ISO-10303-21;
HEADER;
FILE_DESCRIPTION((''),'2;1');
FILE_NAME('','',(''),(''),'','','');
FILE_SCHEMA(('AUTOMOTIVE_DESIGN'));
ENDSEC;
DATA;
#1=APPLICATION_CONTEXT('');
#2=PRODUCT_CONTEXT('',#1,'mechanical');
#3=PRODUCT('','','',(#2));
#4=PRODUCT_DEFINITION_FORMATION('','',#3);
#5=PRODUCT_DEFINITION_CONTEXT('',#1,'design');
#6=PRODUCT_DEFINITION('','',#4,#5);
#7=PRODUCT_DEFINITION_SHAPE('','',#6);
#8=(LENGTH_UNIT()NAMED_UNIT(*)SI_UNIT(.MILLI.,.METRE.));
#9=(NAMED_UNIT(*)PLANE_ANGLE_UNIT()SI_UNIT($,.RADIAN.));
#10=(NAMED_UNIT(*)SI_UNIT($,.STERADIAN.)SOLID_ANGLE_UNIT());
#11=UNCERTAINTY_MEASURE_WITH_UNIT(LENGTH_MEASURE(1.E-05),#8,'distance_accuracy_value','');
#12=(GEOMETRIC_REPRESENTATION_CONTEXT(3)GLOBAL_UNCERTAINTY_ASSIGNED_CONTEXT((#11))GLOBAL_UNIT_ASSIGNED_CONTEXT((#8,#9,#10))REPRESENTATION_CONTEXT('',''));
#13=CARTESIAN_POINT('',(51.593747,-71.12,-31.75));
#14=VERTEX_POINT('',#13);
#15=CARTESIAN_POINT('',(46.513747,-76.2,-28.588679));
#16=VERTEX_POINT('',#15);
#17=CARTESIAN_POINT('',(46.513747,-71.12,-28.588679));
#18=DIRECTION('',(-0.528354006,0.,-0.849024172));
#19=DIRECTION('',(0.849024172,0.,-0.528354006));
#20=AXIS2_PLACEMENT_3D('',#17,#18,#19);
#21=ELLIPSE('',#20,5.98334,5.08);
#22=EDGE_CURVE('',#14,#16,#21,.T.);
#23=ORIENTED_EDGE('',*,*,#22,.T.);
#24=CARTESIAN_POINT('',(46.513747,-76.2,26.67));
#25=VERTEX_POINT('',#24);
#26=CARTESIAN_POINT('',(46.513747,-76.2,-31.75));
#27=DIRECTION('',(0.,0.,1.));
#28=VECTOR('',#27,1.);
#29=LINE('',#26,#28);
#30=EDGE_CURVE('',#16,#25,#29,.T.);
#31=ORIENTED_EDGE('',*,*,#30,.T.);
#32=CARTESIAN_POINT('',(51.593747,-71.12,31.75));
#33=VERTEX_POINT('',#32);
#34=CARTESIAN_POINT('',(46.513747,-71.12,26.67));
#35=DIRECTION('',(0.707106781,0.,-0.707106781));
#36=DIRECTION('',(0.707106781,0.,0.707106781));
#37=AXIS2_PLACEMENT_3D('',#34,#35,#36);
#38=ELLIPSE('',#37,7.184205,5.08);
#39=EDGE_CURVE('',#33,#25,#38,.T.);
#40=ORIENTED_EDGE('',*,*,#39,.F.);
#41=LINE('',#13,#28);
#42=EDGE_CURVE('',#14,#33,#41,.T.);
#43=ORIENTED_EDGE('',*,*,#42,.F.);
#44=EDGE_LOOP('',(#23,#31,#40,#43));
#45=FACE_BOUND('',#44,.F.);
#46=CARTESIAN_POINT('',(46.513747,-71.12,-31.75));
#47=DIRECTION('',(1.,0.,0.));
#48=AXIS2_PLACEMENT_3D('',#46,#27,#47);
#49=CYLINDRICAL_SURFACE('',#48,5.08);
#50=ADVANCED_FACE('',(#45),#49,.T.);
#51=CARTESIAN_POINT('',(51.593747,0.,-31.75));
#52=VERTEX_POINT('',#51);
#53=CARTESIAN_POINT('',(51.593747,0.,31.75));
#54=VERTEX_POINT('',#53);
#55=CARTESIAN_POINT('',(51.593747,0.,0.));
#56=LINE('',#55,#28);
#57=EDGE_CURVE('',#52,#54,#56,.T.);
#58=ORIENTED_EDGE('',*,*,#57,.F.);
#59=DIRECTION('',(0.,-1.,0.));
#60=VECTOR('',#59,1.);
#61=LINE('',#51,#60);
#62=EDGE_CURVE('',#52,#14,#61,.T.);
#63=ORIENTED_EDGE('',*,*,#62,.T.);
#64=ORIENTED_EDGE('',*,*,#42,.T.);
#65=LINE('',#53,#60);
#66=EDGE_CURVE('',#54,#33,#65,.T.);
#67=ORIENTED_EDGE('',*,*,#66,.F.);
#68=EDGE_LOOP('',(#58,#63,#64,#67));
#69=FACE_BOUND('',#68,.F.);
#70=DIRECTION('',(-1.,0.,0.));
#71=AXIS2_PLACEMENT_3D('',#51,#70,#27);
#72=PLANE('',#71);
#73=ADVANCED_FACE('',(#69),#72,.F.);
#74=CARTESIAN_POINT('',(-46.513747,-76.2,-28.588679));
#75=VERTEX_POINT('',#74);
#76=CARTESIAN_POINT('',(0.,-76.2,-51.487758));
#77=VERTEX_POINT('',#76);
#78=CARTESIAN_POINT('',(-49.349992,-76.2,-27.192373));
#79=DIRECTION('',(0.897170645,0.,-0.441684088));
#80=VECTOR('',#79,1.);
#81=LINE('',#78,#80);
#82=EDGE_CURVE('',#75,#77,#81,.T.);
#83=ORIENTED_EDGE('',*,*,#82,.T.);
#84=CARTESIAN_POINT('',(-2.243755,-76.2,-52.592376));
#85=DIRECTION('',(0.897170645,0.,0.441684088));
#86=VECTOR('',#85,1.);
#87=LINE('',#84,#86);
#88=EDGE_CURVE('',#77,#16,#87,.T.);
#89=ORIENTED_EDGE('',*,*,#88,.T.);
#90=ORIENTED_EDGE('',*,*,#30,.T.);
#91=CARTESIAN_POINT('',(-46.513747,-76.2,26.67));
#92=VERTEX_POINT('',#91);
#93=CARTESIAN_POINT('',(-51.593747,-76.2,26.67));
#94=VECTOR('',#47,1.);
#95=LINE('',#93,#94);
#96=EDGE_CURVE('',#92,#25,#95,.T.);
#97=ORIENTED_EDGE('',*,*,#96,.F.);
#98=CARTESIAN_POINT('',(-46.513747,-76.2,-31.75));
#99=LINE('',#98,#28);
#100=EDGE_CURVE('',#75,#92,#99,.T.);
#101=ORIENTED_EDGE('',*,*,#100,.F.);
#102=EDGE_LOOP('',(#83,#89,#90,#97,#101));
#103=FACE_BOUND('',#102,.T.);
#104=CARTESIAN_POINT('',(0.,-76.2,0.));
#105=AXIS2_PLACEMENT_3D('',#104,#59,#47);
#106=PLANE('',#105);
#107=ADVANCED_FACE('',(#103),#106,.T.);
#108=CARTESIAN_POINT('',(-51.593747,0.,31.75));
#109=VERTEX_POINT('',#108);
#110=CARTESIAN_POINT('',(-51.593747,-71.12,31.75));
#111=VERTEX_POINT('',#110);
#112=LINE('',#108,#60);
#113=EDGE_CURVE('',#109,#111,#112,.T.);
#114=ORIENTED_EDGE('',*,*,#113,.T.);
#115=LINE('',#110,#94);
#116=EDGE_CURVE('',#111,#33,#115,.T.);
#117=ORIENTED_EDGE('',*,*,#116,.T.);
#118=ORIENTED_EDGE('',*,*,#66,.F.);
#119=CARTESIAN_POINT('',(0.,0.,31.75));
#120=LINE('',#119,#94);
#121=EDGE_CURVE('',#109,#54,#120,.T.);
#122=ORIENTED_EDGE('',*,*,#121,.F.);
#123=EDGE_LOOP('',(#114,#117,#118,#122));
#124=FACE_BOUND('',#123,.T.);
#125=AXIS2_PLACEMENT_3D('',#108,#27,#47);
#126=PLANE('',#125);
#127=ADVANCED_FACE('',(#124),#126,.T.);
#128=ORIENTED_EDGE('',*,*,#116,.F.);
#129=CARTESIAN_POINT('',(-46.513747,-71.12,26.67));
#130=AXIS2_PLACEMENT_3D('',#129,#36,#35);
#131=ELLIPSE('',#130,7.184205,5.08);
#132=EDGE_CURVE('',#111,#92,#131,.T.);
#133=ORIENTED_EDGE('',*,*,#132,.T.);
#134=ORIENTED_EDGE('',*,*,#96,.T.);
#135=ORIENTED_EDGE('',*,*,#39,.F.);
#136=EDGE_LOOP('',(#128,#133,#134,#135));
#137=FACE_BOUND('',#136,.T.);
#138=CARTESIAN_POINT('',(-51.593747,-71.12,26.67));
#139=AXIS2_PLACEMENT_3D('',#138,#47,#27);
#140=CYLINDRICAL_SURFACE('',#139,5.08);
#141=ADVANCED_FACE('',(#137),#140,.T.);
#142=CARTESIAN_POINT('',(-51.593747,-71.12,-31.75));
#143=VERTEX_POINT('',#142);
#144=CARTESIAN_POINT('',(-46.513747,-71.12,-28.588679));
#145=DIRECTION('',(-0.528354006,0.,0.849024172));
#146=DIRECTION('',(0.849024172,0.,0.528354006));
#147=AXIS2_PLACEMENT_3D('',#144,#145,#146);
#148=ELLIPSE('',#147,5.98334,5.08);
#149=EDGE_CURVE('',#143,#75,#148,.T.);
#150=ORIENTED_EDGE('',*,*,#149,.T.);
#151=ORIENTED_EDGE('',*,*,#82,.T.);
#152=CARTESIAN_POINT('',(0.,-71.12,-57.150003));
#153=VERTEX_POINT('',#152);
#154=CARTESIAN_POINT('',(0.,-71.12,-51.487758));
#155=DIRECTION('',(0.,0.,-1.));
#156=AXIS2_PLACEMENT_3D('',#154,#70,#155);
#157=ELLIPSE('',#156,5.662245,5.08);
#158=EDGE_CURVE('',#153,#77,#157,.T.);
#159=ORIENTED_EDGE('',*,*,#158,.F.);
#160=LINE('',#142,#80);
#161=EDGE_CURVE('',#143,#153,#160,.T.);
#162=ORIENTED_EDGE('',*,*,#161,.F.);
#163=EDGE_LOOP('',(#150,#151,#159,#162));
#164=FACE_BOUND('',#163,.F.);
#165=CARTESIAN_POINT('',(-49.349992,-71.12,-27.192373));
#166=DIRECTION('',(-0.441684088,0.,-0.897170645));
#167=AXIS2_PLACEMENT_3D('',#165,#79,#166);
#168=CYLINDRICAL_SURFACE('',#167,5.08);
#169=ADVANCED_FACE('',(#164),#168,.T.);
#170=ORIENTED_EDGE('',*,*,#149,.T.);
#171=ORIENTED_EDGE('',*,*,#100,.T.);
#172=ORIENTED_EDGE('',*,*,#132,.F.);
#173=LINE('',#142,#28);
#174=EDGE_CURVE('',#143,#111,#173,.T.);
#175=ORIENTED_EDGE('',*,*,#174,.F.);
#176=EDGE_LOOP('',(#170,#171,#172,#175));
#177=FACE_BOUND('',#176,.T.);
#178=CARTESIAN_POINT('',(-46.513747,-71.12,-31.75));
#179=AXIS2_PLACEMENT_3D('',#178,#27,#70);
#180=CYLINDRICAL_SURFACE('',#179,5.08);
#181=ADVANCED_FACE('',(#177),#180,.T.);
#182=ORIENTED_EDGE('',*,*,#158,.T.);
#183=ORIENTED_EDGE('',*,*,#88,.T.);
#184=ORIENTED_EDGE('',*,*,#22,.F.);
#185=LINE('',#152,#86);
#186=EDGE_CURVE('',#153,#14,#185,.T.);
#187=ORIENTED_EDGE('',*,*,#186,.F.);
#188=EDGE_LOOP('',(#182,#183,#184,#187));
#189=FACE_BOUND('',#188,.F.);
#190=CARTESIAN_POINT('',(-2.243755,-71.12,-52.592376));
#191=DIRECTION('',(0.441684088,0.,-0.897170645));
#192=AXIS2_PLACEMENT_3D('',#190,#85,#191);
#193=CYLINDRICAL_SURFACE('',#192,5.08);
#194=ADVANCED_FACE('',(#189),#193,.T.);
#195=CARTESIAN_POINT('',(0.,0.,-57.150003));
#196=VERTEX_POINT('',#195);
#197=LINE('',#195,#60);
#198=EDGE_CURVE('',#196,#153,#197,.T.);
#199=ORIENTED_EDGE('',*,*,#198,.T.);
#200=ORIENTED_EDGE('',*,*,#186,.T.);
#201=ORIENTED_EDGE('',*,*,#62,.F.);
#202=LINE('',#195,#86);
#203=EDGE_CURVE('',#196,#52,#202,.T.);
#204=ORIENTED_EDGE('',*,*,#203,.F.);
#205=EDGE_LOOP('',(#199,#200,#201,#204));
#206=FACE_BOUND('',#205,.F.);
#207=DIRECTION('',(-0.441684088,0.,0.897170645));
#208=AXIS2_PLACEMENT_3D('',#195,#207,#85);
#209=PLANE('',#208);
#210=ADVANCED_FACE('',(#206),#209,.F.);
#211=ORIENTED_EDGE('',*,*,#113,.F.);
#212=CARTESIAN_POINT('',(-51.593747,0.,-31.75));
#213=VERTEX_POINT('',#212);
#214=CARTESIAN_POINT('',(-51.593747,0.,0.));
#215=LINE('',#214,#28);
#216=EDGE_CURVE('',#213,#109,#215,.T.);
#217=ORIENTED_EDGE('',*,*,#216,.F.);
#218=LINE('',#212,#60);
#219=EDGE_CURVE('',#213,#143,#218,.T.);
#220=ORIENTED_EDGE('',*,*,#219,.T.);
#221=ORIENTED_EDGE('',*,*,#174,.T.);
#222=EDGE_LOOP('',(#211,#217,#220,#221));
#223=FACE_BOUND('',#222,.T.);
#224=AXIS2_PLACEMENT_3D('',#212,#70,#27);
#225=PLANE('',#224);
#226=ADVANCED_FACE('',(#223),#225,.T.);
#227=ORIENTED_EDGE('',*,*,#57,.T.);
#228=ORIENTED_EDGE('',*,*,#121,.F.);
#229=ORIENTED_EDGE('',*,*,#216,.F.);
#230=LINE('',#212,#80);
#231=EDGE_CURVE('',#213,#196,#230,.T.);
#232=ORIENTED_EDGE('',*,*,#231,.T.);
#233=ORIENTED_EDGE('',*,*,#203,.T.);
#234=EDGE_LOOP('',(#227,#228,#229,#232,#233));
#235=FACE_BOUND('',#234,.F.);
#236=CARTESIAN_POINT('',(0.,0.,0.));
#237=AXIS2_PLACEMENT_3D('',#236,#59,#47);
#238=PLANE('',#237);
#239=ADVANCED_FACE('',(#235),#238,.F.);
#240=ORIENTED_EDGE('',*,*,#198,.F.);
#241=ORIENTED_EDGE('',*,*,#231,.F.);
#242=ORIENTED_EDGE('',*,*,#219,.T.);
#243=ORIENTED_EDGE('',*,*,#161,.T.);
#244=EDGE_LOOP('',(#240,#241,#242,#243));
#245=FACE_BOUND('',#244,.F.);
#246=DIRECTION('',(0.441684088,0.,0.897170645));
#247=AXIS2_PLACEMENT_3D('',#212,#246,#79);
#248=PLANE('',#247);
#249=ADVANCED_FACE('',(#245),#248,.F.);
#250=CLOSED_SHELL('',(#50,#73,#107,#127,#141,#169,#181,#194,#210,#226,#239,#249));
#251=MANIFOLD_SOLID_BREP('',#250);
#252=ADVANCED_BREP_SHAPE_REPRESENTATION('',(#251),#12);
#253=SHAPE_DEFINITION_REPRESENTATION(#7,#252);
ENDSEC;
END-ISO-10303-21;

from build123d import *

# Parameters (mm, degrees)
F0_W     = 103.187494
F0_H     = 63.5
F1_DEPTH = 76.2
F2_R     = 5.08


with BuildPart() as f1:
    # F0 (on Front) → F1 (new body)
    with BuildSketch(Plane.XZ):
        Rectangle(F0_W, F0_H)
        Polygon((51.593747, -31.75), (-51.593747, -31.75), (0, -57.150003), align=None)
    extrude(amount=F1_DEPTH)

    # F2
    f2_edges = [f1.edges().sort_by_distance(p)[0] for p in [
        (0, -76.2, 31.75),
        (-51.593747, -76.2, 0),
        (-25.796873, -76.2, -44.450001),
        (25.796873, -76.2, -44.450001),
        (51.593747, -76.2, 0),
    ]]
    fillet(f2_edges, radius=F2_R)


solid = f1.part
